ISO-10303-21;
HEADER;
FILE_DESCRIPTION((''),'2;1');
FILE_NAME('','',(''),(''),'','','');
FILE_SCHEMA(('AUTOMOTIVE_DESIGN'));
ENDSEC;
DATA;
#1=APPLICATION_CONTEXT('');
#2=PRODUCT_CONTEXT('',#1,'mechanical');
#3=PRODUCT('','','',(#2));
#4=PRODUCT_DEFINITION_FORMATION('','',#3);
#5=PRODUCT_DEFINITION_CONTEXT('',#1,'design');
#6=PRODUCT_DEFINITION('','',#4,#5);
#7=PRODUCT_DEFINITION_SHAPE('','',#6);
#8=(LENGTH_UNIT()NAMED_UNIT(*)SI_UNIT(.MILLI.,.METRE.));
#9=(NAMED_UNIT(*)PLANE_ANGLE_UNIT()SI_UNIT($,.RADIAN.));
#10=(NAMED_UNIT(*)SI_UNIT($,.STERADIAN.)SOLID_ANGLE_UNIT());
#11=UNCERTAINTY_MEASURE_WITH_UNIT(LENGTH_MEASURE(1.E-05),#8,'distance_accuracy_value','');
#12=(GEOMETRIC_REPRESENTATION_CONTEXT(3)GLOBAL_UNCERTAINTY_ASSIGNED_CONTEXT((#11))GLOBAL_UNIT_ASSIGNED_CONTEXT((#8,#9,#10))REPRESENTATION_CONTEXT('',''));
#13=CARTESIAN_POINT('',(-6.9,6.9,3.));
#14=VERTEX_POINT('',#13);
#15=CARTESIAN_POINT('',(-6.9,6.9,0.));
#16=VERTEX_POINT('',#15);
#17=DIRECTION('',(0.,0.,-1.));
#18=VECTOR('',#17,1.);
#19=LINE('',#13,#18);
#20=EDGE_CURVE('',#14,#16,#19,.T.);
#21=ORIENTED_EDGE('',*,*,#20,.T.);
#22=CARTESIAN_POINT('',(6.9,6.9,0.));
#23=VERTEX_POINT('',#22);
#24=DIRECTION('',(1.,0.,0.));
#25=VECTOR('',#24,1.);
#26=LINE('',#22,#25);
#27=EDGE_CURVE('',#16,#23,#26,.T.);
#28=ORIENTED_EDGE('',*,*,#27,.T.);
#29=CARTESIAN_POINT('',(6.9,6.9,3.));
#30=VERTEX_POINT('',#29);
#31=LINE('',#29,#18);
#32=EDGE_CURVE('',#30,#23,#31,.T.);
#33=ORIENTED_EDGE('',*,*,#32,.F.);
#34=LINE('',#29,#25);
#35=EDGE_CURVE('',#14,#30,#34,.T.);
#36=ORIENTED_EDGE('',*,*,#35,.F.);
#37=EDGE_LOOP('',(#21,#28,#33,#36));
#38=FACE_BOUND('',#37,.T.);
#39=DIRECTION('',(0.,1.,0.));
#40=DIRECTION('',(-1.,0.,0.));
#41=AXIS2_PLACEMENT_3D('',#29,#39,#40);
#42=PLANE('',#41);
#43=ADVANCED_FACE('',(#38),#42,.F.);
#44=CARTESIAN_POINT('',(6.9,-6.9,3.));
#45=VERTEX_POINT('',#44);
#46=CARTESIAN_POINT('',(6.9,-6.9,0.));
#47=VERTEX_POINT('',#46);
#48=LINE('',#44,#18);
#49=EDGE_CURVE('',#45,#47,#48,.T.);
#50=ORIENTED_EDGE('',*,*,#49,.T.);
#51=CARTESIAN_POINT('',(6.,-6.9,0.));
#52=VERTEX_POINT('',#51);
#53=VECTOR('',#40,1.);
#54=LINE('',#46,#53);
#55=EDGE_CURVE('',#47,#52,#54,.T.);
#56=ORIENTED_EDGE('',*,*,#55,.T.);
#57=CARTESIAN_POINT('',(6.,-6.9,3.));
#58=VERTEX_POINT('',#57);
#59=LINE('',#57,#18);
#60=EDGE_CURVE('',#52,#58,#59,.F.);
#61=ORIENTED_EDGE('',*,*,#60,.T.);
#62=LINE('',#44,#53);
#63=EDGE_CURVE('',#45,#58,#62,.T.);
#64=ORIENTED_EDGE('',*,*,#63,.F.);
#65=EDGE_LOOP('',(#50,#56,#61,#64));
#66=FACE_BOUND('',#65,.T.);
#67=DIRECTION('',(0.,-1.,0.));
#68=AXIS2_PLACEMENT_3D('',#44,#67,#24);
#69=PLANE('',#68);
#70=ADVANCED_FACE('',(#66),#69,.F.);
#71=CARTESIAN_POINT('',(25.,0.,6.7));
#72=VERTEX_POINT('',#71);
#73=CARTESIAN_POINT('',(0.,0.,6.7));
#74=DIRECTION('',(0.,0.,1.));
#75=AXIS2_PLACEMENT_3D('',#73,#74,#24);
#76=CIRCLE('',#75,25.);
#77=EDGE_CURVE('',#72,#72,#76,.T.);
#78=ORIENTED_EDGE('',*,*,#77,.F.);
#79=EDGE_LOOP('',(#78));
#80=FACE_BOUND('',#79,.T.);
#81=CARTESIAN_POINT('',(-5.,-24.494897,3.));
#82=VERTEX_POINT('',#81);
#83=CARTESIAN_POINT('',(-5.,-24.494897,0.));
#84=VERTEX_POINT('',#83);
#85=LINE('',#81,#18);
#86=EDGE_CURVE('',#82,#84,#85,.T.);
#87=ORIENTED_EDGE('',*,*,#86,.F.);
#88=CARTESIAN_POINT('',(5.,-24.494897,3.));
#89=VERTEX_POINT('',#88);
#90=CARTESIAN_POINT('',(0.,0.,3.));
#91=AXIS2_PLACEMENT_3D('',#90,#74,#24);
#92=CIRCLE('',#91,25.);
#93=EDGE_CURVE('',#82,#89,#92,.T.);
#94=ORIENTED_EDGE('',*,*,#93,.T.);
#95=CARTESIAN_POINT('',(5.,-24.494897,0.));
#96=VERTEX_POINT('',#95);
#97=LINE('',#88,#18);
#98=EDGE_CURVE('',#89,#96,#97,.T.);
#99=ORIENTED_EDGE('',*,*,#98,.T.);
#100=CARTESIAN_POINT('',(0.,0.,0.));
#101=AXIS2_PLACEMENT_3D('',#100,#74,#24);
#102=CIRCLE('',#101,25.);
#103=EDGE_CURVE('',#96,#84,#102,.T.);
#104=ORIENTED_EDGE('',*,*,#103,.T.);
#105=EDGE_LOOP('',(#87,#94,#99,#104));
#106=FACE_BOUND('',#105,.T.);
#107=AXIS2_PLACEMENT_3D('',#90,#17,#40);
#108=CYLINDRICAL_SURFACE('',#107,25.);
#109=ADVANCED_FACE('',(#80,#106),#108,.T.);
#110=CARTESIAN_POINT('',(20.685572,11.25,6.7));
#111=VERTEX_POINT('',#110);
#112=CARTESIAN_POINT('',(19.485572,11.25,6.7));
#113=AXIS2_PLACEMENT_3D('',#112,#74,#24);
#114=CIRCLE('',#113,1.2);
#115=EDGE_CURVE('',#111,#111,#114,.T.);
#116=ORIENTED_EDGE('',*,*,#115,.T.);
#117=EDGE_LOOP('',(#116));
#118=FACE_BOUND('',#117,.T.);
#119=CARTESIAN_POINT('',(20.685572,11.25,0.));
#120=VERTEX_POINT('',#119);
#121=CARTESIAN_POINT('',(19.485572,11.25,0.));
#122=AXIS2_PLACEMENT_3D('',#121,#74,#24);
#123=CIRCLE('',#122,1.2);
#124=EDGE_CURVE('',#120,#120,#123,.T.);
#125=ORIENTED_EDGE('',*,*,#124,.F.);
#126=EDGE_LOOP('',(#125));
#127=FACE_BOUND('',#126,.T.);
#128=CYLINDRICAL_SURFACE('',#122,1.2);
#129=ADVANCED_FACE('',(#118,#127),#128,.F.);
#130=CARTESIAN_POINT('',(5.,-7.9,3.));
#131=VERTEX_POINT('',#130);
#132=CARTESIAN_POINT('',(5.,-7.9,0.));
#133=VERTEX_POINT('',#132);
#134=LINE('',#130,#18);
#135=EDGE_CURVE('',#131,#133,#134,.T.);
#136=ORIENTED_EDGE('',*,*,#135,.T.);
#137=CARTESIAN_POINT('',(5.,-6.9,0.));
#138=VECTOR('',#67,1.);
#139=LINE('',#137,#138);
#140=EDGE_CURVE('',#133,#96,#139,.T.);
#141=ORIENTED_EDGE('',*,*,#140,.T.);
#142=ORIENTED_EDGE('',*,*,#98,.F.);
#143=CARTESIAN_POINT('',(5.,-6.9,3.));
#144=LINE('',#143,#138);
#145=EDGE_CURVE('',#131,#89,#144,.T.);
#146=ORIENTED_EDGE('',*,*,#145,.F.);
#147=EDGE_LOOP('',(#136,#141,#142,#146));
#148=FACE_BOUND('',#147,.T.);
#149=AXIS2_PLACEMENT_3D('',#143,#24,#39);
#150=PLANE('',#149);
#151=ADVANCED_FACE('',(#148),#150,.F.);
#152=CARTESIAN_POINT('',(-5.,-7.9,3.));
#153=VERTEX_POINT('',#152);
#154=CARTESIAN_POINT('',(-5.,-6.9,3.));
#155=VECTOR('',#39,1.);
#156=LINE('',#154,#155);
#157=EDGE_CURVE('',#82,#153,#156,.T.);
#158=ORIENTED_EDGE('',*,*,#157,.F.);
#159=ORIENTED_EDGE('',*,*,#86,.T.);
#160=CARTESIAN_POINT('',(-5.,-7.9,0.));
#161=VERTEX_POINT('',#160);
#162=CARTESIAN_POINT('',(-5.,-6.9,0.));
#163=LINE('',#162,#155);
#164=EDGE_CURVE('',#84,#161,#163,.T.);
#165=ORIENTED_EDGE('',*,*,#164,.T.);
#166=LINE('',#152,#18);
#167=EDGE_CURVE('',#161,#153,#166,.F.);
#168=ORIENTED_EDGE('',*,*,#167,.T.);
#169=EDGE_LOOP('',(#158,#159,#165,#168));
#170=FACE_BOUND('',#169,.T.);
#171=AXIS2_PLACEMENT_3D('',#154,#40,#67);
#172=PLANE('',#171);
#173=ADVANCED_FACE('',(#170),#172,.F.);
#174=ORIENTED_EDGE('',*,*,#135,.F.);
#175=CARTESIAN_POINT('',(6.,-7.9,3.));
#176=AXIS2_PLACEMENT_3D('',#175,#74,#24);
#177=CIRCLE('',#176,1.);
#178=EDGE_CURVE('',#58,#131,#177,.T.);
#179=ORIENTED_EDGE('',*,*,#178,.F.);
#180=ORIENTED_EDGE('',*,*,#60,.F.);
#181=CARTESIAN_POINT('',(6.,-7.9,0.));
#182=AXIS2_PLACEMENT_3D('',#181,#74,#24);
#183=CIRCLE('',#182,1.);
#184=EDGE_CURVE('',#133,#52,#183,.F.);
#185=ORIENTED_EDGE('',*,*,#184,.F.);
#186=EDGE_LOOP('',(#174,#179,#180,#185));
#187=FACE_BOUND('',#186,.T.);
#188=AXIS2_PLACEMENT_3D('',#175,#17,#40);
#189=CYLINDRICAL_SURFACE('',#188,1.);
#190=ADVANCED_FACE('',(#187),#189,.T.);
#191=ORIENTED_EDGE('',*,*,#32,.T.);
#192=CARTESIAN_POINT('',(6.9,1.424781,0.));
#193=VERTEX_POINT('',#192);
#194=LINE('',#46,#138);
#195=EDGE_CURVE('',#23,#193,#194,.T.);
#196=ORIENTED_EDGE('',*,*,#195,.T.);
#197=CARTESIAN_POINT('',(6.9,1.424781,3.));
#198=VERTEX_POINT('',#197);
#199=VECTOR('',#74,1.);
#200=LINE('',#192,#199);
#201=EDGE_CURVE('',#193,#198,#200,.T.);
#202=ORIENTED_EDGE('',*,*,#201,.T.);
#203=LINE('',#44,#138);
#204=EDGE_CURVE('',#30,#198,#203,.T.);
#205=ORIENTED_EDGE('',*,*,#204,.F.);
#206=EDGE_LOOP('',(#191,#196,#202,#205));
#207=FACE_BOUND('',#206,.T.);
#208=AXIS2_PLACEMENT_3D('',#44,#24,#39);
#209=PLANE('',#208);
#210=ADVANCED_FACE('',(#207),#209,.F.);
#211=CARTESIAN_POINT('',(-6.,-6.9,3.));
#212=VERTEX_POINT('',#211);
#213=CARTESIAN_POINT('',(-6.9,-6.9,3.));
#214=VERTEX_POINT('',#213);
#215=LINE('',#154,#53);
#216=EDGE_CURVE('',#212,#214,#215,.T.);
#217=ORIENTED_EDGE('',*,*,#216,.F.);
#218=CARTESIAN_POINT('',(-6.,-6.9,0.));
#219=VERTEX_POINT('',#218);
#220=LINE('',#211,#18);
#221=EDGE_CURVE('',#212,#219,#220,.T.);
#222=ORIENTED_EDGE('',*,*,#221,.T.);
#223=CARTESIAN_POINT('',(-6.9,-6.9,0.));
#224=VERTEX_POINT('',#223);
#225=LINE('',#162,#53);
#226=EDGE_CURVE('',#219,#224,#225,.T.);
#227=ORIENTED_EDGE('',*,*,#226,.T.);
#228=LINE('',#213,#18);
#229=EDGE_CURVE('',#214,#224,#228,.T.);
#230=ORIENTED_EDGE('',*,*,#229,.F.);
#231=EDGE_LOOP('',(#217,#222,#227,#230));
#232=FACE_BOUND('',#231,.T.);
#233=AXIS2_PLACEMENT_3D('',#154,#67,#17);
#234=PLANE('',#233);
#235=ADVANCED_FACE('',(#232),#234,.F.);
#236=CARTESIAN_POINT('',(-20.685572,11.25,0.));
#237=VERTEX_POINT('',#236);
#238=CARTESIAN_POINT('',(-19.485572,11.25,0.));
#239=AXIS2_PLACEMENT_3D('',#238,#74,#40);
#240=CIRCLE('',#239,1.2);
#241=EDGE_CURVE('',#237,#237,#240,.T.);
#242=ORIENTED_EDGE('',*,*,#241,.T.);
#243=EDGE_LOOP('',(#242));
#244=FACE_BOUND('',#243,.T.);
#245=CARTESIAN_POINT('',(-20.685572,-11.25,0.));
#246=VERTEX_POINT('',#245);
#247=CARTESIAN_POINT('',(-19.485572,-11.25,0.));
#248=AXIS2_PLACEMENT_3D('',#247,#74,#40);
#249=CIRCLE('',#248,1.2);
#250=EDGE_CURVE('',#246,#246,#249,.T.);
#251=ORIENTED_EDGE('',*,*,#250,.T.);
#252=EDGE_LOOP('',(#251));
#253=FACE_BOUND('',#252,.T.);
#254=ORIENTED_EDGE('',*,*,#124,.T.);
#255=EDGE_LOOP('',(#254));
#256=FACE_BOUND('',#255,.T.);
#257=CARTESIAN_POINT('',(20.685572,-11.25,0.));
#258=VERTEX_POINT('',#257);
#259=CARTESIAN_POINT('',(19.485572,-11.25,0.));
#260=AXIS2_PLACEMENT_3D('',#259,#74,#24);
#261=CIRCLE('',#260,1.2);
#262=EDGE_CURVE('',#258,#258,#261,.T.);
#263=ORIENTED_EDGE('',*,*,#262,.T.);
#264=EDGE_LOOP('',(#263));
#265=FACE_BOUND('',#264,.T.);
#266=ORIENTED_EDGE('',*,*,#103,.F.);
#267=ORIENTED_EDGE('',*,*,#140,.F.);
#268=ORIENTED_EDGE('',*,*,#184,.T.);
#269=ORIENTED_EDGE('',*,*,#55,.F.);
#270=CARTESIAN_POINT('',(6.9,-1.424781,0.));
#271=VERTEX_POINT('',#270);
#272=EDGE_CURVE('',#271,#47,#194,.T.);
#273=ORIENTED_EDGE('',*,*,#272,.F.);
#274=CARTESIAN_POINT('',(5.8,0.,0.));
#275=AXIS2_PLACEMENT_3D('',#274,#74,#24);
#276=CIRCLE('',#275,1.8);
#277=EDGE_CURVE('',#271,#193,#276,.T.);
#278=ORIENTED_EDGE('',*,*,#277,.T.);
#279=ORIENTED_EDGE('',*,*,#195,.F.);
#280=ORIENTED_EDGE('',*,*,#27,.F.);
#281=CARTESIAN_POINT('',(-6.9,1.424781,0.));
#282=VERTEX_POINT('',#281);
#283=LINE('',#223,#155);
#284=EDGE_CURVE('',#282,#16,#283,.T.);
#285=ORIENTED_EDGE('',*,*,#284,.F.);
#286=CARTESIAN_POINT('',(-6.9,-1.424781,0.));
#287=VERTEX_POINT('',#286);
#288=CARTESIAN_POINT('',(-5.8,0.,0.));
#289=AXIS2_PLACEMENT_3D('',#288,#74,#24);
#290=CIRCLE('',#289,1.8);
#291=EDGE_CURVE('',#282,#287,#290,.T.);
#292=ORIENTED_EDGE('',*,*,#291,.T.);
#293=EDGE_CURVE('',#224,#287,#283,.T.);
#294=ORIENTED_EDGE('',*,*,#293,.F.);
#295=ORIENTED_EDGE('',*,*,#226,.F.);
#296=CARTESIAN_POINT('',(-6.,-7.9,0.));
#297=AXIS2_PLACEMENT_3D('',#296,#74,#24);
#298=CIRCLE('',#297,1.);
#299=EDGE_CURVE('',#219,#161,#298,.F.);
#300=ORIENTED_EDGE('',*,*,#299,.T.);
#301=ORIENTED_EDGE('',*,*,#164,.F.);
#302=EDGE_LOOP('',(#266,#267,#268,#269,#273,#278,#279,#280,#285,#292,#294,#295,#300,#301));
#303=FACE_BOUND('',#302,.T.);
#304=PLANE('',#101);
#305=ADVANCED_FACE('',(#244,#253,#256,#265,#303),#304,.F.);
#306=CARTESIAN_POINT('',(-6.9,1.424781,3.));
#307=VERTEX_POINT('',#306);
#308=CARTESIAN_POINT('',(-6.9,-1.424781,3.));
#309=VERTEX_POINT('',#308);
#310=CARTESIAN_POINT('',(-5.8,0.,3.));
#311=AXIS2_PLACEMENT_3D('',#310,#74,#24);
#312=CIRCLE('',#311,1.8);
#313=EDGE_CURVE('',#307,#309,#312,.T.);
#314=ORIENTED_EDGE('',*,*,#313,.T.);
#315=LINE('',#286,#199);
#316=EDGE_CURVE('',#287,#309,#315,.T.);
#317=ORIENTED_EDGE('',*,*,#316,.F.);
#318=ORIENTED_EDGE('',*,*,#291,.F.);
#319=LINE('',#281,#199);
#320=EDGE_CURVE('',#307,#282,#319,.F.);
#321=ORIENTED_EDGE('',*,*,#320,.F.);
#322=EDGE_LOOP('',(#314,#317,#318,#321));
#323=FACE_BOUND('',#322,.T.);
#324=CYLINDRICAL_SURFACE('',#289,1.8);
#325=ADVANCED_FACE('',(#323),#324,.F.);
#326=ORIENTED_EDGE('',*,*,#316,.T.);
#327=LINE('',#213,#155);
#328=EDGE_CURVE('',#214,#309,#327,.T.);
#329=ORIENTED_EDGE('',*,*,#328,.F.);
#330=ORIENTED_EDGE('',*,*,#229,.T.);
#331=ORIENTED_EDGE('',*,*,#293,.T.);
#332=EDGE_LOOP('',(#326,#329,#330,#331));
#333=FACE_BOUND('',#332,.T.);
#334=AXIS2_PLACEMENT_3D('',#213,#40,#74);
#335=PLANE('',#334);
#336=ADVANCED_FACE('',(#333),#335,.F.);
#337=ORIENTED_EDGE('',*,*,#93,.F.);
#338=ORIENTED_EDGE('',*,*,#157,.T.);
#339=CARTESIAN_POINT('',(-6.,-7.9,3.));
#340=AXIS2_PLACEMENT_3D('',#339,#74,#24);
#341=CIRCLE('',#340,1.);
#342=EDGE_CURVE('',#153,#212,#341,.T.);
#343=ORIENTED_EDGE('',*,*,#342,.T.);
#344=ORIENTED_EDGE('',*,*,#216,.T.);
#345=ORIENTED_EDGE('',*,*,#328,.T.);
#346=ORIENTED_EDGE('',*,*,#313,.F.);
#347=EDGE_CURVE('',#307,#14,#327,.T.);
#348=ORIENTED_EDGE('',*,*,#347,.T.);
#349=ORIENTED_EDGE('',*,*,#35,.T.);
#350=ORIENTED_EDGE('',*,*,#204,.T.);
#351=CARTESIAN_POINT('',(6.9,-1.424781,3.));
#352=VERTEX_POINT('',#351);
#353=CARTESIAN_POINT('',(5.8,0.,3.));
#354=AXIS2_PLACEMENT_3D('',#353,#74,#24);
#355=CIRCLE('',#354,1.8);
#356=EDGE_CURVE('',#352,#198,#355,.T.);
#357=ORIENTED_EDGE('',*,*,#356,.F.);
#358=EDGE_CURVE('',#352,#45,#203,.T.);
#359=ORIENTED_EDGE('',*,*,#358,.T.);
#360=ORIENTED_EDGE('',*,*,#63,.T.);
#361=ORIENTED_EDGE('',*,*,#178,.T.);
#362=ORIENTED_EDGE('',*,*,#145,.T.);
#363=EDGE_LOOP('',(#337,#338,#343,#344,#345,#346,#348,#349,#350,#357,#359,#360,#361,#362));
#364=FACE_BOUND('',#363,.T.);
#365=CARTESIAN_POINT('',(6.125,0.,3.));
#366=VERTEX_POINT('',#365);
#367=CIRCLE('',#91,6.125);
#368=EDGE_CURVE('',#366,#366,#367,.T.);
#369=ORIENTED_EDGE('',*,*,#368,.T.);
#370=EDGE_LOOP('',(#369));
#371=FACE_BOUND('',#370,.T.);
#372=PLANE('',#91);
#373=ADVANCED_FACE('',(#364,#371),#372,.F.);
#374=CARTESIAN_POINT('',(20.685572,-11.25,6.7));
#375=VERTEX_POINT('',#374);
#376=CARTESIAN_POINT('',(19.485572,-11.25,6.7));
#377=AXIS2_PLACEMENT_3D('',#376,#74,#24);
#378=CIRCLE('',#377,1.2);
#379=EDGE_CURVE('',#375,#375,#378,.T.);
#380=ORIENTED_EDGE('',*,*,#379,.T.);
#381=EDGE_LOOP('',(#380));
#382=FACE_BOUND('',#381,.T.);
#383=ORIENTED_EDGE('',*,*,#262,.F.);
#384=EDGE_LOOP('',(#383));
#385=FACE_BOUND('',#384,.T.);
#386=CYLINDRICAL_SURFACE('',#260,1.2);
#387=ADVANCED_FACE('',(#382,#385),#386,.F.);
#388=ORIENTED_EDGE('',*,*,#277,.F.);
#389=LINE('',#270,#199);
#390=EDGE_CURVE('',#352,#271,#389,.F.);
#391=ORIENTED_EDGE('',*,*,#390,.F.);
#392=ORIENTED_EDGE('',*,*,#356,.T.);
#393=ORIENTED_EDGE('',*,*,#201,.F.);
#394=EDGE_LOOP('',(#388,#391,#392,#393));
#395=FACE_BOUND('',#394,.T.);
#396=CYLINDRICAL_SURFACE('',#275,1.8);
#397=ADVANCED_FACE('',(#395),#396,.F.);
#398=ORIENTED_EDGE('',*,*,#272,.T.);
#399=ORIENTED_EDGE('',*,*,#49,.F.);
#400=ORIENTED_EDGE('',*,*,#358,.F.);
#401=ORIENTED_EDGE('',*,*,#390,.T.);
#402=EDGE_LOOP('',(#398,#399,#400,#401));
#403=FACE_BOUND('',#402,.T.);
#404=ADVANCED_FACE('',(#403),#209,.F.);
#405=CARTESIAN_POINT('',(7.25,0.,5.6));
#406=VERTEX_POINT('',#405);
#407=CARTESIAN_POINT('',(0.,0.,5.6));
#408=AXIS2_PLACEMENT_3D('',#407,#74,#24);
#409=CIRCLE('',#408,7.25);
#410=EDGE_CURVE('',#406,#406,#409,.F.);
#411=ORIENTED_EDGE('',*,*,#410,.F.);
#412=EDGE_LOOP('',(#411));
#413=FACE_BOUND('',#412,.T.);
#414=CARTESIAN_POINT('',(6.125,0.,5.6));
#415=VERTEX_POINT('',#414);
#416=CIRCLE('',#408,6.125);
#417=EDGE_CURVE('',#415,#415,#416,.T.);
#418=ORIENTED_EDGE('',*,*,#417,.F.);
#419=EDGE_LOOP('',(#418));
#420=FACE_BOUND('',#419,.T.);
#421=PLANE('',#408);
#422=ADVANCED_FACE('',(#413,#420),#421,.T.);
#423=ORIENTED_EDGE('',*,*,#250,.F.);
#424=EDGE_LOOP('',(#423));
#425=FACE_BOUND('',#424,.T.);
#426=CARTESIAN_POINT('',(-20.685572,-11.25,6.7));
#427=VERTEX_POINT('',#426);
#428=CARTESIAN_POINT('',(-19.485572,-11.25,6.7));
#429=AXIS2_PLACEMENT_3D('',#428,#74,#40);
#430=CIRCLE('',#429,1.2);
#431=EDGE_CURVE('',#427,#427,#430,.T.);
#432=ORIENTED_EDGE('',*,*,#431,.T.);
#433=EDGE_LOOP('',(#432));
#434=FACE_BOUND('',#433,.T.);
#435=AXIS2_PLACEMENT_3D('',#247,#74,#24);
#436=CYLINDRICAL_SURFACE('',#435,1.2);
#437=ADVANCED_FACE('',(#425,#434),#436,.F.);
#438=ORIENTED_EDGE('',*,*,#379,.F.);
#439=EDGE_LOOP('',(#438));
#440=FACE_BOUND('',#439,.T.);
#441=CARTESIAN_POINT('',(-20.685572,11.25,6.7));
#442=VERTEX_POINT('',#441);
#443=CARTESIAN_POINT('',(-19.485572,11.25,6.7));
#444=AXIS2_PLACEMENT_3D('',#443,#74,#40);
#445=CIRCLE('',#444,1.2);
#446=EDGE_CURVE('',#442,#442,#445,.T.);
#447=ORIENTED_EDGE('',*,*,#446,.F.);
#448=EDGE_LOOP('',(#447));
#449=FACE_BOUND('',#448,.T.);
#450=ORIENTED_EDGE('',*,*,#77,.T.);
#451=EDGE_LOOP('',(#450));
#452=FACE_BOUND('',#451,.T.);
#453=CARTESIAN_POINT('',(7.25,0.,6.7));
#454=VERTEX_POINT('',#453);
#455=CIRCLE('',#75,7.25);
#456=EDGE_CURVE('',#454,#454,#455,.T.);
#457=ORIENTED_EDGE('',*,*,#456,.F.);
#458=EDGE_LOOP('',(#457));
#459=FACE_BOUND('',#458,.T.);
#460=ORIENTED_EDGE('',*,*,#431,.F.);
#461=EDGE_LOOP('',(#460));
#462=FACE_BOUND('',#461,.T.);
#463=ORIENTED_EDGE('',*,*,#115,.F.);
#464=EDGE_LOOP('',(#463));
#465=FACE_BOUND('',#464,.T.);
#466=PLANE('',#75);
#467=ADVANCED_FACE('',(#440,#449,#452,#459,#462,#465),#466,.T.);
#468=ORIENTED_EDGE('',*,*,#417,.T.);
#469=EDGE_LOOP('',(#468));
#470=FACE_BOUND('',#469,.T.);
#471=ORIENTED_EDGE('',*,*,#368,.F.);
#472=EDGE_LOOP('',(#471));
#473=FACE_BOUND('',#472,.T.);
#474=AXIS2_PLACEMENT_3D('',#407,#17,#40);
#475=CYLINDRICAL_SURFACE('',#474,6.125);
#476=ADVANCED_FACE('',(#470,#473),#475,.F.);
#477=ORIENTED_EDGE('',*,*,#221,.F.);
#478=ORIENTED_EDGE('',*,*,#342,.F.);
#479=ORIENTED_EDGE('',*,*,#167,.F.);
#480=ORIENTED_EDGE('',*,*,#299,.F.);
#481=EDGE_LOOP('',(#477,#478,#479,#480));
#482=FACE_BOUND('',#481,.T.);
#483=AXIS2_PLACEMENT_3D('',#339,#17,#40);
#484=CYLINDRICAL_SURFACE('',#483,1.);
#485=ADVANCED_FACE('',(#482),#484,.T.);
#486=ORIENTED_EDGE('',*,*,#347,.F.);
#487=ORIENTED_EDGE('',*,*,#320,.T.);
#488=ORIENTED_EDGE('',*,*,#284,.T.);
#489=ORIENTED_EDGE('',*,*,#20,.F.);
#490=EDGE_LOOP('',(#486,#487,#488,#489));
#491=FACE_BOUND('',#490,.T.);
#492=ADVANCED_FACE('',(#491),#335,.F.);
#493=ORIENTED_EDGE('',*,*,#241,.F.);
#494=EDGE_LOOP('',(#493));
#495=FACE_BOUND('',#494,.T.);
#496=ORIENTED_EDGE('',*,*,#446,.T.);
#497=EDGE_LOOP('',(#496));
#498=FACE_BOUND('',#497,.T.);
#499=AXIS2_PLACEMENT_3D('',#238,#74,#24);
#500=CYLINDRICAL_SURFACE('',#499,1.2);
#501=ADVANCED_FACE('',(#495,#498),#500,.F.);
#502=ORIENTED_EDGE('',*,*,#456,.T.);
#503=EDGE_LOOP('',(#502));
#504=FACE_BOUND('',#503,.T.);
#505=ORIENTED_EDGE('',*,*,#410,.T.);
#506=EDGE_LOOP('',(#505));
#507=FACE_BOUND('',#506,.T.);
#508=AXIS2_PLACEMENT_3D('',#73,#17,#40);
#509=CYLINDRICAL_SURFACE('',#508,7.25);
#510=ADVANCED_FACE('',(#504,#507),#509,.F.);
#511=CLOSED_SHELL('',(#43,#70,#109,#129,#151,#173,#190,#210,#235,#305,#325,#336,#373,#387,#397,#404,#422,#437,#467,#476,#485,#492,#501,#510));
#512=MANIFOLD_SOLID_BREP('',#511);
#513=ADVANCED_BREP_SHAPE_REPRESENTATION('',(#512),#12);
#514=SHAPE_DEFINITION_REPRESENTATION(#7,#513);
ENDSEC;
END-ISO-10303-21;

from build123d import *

# Parameters (mm, degrees)
EXTRUDE_1_DEPTH     = 3
CUT_EXTRUDE_4_DEPTH = 36.482389998
SKETCH_12_R         = 25
SKETCH_12_R_2       = 6.125
EXTRUDE_2_DEPTH     = 2.6
SKETCH_13_R         = 25
SKETCH_13_R_2       = 7.25
EXTRUDE_3_DEPTH     = 1.1
SKETCH_14_R         = 1.2
CUT_EXTRUDE_5_DEPTH = 36.984580031
FILLET_1_R          = 1


with BuildPart() as part:
    # 스케치1 → 보스-돌출1 (new body)
    with BuildSketch(Plane.XY):
        with BuildLine():
            Line((-5, -6.9), (-6.9, -6.9))
            Line((-6.9, -6.9), (-6.9, 6.9))
            Line((-6.9, 6.9), (6.9, 6.9))
            Line((6.9, 6.9), (6.9, -6.9))
            Line((6.9, -6.9), (5, -6.9))
            Line((5, -6.9), (5, -24.494897428))
            ThreePointArc((5, -24.494897428), (0, 25), (-5, -24.494897428))
            Line((-5, -24.494897428), (-5, -6.9))
        make_face()
    extrude(amount=EXTRUDE_1_DEPTH)

    # 스케치11 → 컷-돌출4 (cut, through all)
    with BuildSketch(Plane.XY.offset(3)):
        with BuildLine():
            Line((5.8, -1.8), (-5.8, -1.8))
            ThreePointArc((-5.8, -1.8), (-7.6, 0), (-5.8, 1.8))
            Line((-5.8, 1.8), (5.8, 1.8))
            ThreePointArc((5.8, 1.8), (7.6, 0), (5.8, -1.8))
        make_face()
    extrude(amount=-CUT_EXTRUDE_4_DEPTH, mode=Mode.SUBTRACT)

    # 스케치12 → 보스-돌출2 (add)
    with BuildSketch(Plane.XY.offset(3)):
        with Locations(Location((0, 0, 0), (0, 0, 258.463040967))):
            Circle(SKETCH_12_R)
        Circle(SKETCH_12_R_2, mode=Mode.SUBTRACT)
    extrude(amount=EXTRUDE_2_DEPTH)

    # 스케치13 → 보스-돌출3 (add)
    with BuildSketch(Plane.XY.offset(5.6)):
        with Locations(Location((0, 0, 0), (0, 0, 258.463040967))):
            Circle(SKETCH_13_R)
        Circle(SKETCH_13_R_2, mode=Mode.SUBTRACT)
    extrude(amount=EXTRUDE_3_DEPTH)

    # 스케치14 → 컷-돌출5 (cut, through all)
    with BuildSketch(Plane.XY.offset(6.7)):
        with Locations((19.485571585, -11.25)):
            Circle(SKETCH_14_R)
        with Locations((19.485571585, 11.25)):
            Circle(SKETCH_14_R)
        with Locations(Location((-19.485571585, 11.25, 0), (0, 0, 180))):
            Circle(SKETCH_14_R)
        with Locations(Location((-19.485571585, -11.25, 0), (0, 0, 180))):
            Circle(SKETCH_14_R)
    extrude(amount=-CUT_EXTRUDE_5_DEPTH, mode=Mode.SUBTRACT)

    # 필렛1
    fillet_1_edges = [part.edges().sort_by_distance(p)[0] for p in [
        (-5, -6.9, 1.5),
        (5, -6.9, 1.5),
    ]]
    fillet(fillet_1_edges, radius=FILLET_1_R)


solid = part.part
